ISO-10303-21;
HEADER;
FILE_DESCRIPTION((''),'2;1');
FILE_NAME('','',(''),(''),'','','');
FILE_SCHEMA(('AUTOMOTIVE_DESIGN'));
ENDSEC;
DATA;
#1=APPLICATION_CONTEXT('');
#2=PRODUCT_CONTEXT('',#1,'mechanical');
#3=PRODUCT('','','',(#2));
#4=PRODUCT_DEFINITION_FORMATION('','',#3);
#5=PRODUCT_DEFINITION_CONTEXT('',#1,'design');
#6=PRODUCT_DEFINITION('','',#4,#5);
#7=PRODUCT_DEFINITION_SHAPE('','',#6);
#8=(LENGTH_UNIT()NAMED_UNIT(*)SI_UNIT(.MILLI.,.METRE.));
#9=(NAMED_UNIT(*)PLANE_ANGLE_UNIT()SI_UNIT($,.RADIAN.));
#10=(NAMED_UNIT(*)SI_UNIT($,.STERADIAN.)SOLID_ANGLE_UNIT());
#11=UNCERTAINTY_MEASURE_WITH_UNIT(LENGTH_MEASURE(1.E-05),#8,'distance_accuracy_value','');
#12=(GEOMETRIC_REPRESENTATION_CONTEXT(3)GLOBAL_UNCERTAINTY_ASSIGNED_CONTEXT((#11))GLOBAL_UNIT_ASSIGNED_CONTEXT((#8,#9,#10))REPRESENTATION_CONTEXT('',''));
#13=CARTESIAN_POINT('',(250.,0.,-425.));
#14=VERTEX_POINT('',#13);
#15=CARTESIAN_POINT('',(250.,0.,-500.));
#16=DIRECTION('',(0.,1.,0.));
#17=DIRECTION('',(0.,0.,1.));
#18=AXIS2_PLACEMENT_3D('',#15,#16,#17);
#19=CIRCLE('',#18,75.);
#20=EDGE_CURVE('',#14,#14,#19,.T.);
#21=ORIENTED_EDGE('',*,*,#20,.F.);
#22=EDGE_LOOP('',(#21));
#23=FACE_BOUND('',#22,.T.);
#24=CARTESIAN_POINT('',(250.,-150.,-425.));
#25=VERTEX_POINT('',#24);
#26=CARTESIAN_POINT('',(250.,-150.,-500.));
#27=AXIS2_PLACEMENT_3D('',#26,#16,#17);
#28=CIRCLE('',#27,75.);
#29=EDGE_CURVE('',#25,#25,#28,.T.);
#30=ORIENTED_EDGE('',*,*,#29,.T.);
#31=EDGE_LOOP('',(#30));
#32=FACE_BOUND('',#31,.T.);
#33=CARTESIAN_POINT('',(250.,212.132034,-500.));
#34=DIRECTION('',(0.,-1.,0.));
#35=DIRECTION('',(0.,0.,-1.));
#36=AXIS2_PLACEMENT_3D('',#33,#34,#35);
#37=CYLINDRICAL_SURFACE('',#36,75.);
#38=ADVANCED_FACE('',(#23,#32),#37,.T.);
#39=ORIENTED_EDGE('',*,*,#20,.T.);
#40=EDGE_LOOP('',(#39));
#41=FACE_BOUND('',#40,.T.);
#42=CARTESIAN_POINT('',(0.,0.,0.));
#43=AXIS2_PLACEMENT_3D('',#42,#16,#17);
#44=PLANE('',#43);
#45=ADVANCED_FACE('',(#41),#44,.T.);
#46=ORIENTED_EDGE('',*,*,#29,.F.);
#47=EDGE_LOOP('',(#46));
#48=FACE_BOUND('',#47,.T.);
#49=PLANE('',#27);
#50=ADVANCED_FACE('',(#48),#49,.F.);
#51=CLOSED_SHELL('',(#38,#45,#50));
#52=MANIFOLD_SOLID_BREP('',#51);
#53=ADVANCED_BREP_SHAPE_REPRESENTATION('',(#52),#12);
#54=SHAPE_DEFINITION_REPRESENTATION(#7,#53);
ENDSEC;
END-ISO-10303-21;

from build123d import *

# Parameters (mm, degrees)
SKETCH1_R           = 75
BOSS_EXTRUDE1_DEPTH = 150


with BuildPart() as part:
    # Sketch1 → Boss-Extrude1 (new body)
    with BuildSketch(Plane(origin=(0, -150, 0), x_dir=(1, 0, 0), z_dir=(0, 1, 0))):
        with Locations((250, 500)):
            Circle(SKETCH1_R)
    extrude(amount=BOSS_EXTRUDE1_DEPTH)


solid = part.part
